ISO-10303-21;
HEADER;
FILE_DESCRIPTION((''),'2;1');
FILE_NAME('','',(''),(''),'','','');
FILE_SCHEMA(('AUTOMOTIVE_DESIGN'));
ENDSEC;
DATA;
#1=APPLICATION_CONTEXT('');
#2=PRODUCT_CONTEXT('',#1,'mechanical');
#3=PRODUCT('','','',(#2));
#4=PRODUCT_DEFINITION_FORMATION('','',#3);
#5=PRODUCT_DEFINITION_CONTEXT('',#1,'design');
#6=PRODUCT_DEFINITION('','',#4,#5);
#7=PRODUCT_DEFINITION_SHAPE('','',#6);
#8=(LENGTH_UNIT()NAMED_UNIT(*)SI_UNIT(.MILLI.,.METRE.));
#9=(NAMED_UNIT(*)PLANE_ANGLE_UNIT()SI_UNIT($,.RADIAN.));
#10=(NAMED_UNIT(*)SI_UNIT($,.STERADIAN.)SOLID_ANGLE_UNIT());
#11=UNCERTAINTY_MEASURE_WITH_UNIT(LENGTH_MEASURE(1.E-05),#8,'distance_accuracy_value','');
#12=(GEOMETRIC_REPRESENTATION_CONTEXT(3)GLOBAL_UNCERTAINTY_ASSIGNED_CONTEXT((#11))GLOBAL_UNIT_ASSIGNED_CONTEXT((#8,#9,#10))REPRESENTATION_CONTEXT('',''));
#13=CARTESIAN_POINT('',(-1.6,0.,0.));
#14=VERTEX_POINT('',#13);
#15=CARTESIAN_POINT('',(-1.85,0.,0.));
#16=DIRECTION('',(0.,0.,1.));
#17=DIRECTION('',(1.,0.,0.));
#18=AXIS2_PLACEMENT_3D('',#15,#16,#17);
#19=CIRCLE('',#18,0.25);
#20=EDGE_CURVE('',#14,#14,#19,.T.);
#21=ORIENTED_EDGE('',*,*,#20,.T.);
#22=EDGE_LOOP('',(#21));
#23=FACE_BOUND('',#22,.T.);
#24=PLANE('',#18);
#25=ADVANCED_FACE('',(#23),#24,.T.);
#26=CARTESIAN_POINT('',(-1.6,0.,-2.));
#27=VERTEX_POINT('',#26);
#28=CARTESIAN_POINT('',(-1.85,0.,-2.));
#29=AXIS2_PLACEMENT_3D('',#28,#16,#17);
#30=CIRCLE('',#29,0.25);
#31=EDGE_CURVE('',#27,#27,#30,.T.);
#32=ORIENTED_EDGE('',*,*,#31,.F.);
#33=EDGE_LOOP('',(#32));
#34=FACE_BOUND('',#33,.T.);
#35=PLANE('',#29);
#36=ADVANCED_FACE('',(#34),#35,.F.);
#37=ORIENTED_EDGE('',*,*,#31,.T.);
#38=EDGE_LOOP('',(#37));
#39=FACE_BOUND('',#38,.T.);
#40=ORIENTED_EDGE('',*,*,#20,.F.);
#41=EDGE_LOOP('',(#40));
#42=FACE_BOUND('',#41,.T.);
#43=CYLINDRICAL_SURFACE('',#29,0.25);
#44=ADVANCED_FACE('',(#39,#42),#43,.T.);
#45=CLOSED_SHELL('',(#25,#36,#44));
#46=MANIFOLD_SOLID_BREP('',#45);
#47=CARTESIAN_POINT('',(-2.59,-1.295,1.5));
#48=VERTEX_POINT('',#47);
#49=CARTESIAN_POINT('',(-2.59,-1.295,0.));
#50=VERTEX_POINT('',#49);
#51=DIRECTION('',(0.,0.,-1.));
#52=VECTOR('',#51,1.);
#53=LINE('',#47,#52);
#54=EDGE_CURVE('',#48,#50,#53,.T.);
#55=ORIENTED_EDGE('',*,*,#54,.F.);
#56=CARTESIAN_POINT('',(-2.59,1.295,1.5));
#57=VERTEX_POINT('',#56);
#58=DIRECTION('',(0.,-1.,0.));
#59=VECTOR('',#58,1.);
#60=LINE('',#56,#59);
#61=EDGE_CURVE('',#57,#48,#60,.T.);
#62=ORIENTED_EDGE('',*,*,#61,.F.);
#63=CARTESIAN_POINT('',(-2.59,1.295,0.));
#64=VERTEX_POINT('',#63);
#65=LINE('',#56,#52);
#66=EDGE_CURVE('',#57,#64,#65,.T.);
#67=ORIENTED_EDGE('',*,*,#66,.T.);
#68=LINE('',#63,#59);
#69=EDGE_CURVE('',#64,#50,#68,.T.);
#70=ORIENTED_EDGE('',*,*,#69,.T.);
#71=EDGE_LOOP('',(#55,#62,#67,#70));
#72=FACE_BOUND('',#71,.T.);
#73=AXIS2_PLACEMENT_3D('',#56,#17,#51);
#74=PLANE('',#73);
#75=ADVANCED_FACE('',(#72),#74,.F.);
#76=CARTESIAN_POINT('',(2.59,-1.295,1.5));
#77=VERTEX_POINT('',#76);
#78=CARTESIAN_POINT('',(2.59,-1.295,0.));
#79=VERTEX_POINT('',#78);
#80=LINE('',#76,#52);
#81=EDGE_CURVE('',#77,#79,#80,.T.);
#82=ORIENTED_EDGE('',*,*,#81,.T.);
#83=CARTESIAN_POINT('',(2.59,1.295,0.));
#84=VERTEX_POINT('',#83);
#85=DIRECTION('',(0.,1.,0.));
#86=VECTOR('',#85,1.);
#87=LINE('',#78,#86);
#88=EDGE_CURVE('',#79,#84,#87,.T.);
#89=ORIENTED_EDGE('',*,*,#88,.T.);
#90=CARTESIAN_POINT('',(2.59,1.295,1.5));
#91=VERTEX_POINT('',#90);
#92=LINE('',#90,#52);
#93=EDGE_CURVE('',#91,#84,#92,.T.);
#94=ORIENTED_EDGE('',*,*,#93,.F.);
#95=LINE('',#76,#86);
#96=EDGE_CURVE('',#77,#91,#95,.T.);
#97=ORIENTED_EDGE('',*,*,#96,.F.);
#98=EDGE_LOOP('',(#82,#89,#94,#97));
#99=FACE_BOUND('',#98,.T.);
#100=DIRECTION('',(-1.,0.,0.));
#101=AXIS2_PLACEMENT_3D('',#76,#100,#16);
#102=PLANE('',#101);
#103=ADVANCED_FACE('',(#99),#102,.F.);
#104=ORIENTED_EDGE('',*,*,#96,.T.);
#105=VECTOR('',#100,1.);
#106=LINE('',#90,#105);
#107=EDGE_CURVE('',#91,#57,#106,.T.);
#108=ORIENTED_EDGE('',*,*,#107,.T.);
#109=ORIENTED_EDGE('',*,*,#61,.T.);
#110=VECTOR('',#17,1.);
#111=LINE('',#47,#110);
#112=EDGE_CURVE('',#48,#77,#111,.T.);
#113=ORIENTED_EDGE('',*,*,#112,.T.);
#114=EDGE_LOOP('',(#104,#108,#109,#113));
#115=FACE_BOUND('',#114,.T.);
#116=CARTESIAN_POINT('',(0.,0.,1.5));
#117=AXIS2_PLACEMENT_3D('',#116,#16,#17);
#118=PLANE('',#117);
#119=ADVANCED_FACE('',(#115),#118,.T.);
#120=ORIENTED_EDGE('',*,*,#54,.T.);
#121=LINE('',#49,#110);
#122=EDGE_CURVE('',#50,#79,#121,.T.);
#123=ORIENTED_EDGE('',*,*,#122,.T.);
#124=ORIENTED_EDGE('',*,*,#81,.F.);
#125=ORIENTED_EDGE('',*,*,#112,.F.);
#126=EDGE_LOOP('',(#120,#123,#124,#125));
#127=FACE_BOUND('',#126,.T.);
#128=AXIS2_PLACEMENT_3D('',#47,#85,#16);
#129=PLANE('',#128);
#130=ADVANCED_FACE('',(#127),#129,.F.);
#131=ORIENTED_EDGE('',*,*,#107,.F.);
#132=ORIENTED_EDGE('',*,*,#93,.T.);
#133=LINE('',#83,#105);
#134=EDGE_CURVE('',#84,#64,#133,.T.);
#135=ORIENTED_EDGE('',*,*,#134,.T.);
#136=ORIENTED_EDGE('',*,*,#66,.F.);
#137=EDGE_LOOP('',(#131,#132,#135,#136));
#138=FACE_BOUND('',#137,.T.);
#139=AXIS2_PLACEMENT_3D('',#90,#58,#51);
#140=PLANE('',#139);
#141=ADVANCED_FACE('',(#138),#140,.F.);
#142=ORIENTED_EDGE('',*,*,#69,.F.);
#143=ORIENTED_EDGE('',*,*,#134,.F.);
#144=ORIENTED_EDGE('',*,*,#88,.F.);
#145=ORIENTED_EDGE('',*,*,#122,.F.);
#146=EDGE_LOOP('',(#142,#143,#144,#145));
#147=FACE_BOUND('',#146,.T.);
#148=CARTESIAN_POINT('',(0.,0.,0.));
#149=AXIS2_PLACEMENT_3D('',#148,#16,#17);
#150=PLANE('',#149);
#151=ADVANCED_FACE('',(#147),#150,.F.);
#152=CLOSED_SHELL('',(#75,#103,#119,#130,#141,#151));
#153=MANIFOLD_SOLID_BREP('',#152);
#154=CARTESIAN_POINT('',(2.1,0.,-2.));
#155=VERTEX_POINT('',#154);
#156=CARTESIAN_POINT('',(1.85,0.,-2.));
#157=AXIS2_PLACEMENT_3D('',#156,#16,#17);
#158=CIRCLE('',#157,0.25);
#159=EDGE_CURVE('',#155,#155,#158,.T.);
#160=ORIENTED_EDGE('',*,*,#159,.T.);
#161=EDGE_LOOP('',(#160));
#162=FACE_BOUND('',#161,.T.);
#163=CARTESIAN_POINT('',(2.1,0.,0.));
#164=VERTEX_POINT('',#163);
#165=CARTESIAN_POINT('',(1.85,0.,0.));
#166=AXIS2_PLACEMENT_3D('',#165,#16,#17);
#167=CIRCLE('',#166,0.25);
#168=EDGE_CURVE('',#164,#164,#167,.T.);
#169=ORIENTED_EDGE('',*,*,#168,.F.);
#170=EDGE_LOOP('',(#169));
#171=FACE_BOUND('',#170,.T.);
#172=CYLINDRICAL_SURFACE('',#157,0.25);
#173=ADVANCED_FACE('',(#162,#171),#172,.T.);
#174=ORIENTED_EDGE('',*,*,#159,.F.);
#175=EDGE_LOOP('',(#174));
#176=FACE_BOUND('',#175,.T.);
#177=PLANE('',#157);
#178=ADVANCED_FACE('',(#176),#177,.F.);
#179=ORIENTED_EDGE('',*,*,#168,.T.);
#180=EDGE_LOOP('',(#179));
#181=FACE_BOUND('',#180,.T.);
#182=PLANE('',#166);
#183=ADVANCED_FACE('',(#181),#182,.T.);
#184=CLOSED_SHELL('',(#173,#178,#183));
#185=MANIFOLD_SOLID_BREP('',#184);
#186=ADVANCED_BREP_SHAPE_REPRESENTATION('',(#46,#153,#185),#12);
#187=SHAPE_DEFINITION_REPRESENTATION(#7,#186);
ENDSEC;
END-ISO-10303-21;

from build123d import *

# Parameters (mm, degrees)
SKETCH1_W               = 5.18
SKETCH1_H               = 2.59
COMPONENT_OUTLINE_DEPTH = 1.5
SKETCH2_R               = 0.25
EXTRUDE_1_DEPTH         = 2
SKETCH3_R               = 0.25
EXTRUDE_2_DEPTH         = 2


with BuildPart() as part:
    # Sketch1 → Component_Outline (new body)
    with BuildSketch(Plane.XY):
        Rectangle(SKETCH1_W, SKETCH1_H)
    extrude(amount=COMPONENT_OUTLINE_DEPTH)


with BuildPart() as body_2:
    # Sketch2 → Extrude 1 (new body)
    with BuildSketch(Plane.XY):
        with Locations((-1.85, 0)):
            Circle(SKETCH2_R)
    extrude(amount=-EXTRUDE_1_DEPTH)


with BuildPart() as body_3:
    # Sketch3 → Extrude 2 (new body)
    with BuildSketch(Plane.XY):
        with Locations((1.85, 0)):
            Circle(SKETCH3_R)
    extrude(amount=-EXTRUDE_2_DEPTH)


solid = Compound([part.part, body_2.part, body_3.part])
